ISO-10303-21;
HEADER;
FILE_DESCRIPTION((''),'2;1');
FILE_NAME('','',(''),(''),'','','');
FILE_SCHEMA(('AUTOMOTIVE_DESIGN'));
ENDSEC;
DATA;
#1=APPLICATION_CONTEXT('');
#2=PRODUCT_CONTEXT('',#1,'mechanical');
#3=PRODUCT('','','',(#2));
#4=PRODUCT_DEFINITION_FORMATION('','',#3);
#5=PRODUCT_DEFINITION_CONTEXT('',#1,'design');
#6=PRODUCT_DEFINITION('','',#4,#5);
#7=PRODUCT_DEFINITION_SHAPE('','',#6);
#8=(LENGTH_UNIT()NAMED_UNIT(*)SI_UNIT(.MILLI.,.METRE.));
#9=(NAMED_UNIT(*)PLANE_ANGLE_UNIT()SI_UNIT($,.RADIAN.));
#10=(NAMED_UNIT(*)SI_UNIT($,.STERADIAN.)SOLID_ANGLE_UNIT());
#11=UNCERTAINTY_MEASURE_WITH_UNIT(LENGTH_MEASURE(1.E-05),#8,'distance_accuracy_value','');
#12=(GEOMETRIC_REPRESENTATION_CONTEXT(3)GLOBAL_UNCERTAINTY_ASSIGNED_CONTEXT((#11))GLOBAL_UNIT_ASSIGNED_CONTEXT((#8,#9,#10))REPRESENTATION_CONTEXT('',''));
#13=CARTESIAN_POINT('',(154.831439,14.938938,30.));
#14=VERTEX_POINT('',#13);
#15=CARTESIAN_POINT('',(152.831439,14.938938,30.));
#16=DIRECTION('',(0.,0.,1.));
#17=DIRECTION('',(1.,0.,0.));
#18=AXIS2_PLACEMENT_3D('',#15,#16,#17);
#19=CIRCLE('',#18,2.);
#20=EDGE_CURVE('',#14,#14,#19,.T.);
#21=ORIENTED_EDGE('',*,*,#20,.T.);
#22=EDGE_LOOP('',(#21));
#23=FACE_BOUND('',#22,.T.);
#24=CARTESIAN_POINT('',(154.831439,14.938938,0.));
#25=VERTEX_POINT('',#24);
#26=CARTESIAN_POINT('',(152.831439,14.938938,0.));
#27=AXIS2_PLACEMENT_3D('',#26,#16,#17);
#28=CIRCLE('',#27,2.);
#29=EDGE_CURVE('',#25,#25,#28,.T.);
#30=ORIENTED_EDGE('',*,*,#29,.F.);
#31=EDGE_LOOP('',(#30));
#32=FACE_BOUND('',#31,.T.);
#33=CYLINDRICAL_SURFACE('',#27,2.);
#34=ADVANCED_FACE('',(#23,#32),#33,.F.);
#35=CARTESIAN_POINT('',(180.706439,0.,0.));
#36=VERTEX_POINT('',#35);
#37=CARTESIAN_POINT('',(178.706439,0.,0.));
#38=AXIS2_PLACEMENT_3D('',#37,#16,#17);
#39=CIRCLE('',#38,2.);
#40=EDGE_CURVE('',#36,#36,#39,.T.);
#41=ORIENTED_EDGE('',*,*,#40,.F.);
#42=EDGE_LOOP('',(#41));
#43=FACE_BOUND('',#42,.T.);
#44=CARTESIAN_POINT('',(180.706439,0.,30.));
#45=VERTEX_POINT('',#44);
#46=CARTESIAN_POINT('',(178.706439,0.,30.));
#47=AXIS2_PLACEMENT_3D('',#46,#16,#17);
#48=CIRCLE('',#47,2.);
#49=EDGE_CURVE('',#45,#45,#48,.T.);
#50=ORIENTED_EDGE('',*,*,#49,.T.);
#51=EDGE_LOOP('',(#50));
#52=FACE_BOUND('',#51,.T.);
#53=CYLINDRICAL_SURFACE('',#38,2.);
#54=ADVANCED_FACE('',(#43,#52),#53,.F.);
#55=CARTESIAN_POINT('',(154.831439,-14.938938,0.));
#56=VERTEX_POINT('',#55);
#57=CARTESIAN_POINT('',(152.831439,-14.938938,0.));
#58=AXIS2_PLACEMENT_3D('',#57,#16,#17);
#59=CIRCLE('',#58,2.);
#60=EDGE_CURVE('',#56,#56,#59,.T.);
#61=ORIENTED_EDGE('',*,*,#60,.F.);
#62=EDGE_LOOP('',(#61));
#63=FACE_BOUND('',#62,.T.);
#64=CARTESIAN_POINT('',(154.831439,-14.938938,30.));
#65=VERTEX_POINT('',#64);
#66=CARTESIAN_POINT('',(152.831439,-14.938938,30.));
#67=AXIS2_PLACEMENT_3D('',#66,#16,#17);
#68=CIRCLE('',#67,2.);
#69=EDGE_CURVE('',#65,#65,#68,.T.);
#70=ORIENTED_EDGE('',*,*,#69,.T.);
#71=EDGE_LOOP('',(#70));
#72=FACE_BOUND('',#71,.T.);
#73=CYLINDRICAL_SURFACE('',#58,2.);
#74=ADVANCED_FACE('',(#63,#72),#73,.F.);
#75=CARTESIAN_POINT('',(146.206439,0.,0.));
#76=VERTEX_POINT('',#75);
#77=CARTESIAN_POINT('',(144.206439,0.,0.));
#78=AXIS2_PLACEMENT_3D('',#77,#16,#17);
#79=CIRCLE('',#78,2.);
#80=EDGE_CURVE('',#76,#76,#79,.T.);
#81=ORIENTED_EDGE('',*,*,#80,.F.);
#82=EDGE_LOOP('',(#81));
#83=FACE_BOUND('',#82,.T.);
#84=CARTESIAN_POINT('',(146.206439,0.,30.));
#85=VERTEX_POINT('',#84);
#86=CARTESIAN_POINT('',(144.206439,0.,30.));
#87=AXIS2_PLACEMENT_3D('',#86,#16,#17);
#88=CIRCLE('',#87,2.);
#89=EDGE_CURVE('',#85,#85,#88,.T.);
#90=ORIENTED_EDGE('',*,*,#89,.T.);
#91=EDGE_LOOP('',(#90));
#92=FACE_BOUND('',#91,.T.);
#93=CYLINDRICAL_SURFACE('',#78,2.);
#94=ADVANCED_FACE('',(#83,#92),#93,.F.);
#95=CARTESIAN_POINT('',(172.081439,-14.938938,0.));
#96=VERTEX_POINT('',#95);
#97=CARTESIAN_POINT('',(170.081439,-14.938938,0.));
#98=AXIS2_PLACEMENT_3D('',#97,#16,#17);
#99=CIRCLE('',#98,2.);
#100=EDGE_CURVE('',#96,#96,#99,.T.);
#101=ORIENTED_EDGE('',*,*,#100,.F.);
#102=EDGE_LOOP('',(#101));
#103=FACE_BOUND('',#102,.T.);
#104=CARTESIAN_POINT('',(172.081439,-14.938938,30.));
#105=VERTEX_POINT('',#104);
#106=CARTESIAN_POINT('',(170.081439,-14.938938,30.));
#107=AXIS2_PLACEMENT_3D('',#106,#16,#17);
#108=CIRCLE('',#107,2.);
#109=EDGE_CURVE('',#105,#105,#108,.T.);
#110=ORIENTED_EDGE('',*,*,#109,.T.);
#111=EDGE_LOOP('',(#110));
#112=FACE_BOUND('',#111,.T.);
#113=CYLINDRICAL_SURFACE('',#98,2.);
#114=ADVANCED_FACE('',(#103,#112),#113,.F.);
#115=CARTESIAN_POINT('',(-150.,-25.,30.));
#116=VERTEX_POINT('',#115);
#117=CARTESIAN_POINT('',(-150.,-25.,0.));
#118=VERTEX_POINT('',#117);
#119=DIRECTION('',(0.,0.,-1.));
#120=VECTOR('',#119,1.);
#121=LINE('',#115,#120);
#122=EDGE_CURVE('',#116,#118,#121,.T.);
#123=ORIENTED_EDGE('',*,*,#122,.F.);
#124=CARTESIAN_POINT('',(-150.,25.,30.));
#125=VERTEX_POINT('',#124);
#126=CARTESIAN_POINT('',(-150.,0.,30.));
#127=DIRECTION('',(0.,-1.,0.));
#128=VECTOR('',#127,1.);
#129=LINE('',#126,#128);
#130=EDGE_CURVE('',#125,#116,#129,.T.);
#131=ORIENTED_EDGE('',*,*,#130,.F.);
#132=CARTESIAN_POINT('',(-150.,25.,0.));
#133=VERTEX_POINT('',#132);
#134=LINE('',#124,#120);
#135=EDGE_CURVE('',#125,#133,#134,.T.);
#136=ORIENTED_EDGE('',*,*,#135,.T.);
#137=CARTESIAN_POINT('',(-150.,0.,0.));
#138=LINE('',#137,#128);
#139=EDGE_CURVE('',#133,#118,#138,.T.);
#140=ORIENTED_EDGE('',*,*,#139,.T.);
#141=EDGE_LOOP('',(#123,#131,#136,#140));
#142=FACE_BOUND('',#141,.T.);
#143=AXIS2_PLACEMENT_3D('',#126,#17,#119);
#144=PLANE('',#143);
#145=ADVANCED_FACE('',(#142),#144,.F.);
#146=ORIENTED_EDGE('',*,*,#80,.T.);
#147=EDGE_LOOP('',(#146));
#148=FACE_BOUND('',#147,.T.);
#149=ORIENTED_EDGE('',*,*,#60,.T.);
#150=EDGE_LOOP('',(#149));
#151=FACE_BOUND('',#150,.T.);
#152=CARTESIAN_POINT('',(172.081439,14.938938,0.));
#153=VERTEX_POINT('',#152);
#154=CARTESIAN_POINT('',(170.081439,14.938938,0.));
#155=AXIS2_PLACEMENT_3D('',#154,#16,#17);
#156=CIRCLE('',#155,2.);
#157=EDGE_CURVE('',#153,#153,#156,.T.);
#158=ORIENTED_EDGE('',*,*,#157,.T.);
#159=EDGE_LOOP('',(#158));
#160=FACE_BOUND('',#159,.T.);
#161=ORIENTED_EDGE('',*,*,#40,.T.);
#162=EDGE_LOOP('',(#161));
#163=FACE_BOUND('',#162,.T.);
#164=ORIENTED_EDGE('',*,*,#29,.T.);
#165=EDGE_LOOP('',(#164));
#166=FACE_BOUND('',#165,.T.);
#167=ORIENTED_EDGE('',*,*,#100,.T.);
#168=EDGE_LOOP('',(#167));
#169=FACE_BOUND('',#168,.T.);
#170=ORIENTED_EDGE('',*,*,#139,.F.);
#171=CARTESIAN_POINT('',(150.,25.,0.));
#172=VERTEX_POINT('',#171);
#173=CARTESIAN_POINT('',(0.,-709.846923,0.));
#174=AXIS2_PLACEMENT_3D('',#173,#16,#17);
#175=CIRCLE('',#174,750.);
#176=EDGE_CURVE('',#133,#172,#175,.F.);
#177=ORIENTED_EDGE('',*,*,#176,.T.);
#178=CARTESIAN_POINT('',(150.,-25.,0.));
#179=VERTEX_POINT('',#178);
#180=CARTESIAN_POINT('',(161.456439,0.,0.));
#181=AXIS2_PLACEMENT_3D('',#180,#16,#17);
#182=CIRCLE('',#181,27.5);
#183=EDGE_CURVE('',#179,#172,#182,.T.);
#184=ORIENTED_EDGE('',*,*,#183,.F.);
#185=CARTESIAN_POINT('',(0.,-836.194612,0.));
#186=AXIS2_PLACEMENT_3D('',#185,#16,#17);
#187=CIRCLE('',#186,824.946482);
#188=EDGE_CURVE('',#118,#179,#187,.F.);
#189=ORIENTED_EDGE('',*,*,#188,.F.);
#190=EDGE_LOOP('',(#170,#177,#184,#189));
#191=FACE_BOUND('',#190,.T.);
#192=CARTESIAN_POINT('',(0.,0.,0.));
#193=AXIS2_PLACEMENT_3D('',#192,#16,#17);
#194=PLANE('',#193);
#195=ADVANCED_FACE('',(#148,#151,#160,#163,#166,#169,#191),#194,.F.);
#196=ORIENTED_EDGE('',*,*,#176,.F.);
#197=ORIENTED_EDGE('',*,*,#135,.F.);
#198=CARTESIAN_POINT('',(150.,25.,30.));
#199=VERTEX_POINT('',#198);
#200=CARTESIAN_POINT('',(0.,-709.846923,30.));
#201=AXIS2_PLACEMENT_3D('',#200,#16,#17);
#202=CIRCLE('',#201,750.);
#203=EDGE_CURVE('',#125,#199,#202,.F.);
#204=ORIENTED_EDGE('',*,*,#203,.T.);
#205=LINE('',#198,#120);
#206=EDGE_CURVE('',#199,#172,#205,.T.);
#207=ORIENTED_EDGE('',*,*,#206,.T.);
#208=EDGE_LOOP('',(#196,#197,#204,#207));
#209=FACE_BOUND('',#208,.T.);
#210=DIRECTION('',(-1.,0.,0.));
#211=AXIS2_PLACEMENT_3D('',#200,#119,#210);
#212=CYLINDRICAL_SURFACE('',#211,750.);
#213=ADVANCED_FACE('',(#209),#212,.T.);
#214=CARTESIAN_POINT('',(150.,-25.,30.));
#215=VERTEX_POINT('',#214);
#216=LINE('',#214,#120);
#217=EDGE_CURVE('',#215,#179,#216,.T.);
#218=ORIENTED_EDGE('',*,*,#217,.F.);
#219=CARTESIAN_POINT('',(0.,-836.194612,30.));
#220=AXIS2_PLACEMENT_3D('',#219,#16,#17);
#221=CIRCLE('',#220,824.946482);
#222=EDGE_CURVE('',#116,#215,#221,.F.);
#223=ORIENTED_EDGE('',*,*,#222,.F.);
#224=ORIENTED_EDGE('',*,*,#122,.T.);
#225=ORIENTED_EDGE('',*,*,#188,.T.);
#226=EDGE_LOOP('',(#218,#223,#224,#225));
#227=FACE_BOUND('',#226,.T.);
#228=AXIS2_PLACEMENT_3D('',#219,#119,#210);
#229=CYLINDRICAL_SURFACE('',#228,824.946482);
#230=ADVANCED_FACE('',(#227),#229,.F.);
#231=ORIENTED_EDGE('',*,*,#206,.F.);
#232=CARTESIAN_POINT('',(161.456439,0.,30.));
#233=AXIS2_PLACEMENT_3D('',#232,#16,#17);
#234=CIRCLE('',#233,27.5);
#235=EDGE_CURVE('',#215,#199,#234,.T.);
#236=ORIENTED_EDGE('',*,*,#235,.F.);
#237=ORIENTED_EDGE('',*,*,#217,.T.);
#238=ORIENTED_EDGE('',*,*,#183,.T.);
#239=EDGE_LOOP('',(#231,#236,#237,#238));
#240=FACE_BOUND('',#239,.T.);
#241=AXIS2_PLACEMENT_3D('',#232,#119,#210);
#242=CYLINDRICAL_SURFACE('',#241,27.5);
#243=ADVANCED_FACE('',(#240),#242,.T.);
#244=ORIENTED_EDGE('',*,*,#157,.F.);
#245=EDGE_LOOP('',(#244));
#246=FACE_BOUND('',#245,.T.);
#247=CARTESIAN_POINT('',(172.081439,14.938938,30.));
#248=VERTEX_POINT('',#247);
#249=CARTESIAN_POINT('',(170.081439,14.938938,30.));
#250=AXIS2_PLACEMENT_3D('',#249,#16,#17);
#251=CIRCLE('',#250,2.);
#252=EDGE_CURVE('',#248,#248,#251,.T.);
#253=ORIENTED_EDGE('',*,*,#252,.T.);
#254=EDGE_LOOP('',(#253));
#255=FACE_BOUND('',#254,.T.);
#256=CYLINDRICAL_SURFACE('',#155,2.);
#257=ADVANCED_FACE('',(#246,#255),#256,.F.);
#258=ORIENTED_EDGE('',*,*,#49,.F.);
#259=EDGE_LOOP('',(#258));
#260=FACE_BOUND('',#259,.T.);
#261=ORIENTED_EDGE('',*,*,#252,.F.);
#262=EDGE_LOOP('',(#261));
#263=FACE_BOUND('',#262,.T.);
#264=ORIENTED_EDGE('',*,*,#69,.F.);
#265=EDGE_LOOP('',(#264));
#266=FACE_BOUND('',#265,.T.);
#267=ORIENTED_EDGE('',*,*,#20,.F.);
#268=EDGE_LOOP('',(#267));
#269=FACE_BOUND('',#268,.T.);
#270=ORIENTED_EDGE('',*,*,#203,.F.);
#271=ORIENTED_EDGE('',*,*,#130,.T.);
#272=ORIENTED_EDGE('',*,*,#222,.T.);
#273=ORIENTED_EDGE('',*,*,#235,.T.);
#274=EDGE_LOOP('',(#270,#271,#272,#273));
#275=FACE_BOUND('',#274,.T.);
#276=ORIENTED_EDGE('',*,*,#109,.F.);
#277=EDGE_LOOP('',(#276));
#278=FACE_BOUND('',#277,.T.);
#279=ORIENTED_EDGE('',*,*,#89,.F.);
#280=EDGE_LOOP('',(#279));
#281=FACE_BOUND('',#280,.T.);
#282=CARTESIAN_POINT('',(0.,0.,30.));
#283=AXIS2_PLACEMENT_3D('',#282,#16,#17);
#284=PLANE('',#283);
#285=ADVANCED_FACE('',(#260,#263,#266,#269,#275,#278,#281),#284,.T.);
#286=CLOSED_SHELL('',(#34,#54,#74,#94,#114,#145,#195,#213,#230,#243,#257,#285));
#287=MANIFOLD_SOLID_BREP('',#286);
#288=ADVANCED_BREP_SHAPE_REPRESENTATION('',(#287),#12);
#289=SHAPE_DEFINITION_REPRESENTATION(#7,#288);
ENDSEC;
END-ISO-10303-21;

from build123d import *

# Parameters (mm, degrees)
EXTRUDE_1_DEPTH     = 30
SKETCH_2_R          = 2
CUT_EXTRUDE_1_DEPTH = 196.491190428


with BuildPart() as part:
    # 草图1 → 凸台-拉伸1 (new body)
    with BuildSketch(Plane.XY):
        with BuildLine():
            Line((150, 25), (-150, 25))
            Line((-150, 25), (-150, -25))
            ThreePointArc((-150, -25), (0, -11.248129774), (150, -25))
            ThreePointArc((150, -25), (133.956439237, 0), (150, 25))
        make_face()
        with BuildLine():
            ThreePointArc((-150, 25), (0, 40.153077165), (150, 25))
            Line((150, 25), (-150, 25))
        make_face()
        with BuildLine():
            ThreePointArc((188.956439237, 0), (176.309013441, 23.14413618), (150, 25))
            Line((150, 25), (150, -25))
            ThreePointArc((150, -25), (176.309013441, -23.14413618), (188.956439237, 0))
        make_face()
        with BuildLine():
            Line((150, -25), (150, 25))
            ThreePointArc((150, 25), (133.956439237, 0), (150, -25))
        make_face()
    extrude(amount=EXTRUDE_1_DEPTH)

    # 草图2 → 切除-拉伸1 (cut, through all)
    with BuildSketch(Plane.XY.offset(30)):
        with Locations((178.706439237, 0)):
            Circle(SKETCH_2_R)
        with Locations((170.081439237, -14.938938215)):
            Circle(SKETCH_2_R)
        with Locations((152.831439237, -14.938938215)):
            Circle(SKETCH_2_R)
        with Locations((144.206439237, 0)):
            Circle(SKETCH_2_R)
        with Locations((152.831439237, 14.938938215)):
            Circle(SKETCH_2_R)
        with Locations((170.081439237, 14.938938215)):
            Circle(SKETCH_2_R)
    extrude(amount=-CUT_EXTRUDE_1_DEPTH, mode=Mode.SUBTRACT)


solid = part.part
